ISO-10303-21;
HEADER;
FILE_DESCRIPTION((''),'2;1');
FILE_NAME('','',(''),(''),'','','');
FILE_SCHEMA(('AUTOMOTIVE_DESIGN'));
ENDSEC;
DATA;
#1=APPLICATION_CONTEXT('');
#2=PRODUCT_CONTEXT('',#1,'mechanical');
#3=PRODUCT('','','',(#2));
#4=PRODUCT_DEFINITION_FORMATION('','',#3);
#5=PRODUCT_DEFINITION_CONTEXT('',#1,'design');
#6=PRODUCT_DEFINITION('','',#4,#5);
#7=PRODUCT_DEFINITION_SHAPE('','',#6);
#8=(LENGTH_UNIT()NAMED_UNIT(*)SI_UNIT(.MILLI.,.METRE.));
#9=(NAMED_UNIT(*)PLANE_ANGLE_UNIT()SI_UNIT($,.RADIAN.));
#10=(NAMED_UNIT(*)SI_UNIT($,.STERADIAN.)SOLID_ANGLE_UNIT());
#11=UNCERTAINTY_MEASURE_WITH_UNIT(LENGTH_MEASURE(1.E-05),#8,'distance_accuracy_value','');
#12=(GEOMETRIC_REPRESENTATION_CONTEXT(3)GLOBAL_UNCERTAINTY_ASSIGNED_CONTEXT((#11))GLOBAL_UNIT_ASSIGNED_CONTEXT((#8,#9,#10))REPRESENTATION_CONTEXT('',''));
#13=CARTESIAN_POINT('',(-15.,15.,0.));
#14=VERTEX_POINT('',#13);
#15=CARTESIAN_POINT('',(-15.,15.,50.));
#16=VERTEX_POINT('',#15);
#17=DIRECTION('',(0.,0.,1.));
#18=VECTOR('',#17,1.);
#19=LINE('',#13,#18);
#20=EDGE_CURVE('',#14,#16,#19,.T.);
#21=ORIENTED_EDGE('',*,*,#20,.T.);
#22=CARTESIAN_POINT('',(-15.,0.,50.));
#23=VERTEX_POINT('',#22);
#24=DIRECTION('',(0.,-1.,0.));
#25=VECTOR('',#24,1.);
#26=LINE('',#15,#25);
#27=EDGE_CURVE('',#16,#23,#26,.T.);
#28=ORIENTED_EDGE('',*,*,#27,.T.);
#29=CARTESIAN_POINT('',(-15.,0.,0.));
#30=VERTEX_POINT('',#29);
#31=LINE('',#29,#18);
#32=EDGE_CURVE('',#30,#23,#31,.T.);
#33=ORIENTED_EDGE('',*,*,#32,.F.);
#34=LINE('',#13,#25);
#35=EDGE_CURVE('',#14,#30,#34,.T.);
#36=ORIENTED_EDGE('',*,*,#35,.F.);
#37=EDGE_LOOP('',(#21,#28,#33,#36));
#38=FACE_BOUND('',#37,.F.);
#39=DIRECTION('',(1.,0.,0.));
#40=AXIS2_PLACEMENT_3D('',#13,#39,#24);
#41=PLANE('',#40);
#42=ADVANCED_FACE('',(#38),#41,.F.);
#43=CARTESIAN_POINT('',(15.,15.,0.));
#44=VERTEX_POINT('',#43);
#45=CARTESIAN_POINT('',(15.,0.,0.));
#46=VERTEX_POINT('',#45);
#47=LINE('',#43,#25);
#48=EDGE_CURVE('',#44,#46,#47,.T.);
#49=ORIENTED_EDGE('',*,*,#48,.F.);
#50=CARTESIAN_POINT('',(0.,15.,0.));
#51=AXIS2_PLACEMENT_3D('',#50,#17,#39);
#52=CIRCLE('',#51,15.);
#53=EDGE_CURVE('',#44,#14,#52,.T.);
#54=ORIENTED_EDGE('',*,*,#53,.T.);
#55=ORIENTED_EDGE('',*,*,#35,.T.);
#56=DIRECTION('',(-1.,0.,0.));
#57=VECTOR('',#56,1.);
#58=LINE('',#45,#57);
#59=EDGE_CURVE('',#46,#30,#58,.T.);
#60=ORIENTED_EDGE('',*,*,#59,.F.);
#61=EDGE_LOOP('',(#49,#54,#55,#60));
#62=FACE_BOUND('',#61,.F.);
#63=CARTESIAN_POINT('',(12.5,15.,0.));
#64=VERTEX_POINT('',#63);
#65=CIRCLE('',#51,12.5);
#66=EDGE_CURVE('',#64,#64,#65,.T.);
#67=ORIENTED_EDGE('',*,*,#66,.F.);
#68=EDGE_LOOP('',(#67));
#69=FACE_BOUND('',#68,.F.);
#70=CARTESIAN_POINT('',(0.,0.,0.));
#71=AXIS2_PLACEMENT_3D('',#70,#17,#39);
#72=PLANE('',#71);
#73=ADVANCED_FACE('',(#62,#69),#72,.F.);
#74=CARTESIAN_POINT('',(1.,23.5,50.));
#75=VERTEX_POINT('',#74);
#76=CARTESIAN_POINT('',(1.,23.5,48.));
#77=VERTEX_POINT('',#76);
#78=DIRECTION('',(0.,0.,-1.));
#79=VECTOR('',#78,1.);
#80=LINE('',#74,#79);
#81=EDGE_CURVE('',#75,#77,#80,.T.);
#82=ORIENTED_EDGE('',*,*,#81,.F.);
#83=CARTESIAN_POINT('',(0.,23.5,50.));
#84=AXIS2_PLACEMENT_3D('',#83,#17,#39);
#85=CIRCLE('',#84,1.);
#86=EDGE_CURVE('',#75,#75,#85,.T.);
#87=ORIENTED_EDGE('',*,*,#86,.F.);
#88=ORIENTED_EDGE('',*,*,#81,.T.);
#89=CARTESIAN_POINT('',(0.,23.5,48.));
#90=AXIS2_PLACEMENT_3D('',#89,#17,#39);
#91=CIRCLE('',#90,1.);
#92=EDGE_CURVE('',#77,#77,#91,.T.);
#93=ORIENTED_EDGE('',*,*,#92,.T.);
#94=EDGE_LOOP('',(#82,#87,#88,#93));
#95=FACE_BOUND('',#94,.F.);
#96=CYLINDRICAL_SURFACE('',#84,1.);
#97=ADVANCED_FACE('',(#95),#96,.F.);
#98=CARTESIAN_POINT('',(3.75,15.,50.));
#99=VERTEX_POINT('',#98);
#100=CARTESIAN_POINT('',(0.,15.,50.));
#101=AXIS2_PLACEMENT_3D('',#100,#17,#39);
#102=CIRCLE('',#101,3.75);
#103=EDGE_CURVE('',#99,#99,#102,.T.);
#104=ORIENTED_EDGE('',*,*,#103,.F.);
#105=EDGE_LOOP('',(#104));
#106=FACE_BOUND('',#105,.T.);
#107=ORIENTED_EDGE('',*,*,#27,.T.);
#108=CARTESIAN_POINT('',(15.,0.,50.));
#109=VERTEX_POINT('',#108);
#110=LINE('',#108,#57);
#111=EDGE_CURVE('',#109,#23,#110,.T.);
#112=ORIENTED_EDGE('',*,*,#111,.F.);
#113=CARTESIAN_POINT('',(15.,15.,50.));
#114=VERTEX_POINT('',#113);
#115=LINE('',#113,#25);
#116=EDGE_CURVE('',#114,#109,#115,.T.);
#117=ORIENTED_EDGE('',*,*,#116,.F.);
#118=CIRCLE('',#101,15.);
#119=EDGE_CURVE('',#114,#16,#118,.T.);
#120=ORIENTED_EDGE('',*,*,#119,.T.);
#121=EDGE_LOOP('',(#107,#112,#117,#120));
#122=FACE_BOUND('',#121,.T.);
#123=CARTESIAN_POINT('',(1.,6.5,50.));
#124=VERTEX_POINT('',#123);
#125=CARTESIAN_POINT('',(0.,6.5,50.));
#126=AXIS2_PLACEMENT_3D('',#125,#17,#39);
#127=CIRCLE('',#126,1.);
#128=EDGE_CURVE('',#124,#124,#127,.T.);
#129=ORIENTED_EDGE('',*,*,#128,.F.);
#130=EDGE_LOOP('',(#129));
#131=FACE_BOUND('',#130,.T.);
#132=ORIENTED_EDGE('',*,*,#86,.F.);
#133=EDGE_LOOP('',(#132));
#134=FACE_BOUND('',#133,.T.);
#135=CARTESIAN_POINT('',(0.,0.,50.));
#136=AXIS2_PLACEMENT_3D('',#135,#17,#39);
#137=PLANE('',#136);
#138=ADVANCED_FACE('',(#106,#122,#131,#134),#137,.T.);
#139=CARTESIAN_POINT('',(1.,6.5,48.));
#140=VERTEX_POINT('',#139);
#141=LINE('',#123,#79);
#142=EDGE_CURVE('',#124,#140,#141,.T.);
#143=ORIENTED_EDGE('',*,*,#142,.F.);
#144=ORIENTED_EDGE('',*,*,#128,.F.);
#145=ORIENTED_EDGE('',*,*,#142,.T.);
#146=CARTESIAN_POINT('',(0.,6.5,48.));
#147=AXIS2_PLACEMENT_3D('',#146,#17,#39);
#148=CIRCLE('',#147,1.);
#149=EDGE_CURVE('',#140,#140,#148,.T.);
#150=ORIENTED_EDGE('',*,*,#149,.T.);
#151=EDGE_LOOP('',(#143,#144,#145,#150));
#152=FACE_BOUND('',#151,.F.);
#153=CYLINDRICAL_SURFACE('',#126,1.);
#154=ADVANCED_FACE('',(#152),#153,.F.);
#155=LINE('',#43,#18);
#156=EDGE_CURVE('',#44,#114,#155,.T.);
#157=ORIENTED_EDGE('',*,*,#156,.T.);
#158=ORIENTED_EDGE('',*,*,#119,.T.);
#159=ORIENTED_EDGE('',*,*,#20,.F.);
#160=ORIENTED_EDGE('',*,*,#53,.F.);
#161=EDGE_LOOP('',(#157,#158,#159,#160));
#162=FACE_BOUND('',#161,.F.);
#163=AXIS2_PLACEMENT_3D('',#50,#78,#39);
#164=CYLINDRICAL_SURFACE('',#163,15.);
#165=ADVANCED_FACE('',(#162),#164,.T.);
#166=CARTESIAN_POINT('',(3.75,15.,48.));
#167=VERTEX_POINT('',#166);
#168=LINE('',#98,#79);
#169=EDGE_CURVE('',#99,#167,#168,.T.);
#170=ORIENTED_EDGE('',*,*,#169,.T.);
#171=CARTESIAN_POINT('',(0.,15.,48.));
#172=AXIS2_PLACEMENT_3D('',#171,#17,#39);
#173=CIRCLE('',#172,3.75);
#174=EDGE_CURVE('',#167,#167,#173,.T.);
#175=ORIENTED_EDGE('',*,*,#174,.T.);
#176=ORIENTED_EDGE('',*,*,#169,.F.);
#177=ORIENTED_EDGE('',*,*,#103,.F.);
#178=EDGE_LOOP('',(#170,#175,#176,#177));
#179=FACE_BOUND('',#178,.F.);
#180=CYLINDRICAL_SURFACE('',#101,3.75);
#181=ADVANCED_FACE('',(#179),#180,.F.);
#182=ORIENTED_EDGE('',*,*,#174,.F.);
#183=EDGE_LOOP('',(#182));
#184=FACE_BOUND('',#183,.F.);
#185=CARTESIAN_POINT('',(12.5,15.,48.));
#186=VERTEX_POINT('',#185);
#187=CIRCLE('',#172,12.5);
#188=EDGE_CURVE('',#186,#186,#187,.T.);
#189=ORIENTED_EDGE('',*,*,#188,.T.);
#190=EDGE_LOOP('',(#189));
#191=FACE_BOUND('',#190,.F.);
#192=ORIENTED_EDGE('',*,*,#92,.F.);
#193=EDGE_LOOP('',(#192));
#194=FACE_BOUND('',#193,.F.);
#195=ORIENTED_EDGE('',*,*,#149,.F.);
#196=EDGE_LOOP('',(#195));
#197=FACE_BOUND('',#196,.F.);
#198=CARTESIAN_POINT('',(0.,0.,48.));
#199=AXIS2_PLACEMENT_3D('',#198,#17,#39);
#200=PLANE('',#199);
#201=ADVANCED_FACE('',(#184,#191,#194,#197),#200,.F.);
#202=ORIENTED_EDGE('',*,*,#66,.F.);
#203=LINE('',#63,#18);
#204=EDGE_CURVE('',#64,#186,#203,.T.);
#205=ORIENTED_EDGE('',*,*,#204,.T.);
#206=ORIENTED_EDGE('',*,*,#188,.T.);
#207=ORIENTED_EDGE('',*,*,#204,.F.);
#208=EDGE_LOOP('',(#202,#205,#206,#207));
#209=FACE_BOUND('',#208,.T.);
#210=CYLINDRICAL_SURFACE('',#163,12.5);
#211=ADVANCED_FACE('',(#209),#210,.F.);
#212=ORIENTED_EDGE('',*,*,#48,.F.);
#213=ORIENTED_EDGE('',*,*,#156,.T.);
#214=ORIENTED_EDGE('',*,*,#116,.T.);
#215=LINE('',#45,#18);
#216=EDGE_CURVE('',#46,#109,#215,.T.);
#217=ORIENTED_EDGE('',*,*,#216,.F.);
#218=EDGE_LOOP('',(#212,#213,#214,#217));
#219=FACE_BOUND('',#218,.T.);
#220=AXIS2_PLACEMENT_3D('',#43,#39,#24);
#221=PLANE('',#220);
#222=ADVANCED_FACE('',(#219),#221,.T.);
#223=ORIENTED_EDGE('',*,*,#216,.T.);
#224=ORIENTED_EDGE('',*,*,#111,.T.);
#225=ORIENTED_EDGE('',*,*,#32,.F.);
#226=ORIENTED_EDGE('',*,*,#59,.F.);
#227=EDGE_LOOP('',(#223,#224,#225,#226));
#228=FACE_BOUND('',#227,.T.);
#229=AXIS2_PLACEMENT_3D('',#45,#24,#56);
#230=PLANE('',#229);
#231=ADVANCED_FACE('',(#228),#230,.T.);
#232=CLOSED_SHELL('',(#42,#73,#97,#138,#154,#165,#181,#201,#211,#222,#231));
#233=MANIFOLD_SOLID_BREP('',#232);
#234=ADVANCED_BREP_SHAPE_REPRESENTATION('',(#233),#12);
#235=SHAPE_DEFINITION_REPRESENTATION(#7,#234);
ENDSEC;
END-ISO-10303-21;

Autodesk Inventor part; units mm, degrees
ref_plane "YZ Plane" through (0, 0, 0) normal (1, 0, 0) x (0, 1, 0)
ref_plane "XZ Plane" through (0, 0, 0) normal (0, 1, 0) x (-1, 0, 0)
ref_plane "XY Plane" through (0, 0, 0) normal (0, 0, 1) x (1, 0, 0)
sketch "Sketch1" plane through (0, 0, 0) normal (0, 0, 1) x (1, 0, 0)
  circle A0 centre (0, 15) radius 12.5
  arc A1 (15, 15) -> (-15, 15) centre (0, 15) ccw
  line L0 (-15, 15) -> (-15, 0)
  line L1 (15, 15) -> (15, 0)
  line L2 (15, 0) -> (-15, 0)
  point P0 (0, 0)
  dimension "d0" = 25
  dimension "d1" = 30
  dimension "d2" = 15
extrude "Extrusion1" add sketch "Sketch1" along normal blind 50
sketch "Sketch2" plane through (0, 0, 50) normal (0, 0, 1) x (1, 0, 0)
  circle A0 centre (0, 15) radius 12.5 construction
  line L0 (0, 27.5) -> (0, 2.5) construction
  circle A1 centre (0, 15) radius 12.5
  point P0 (0, 0)
extrude "Extrusion2" add sketch "Sketch2" against normal blind 2
sketch "Sketch3" plane through (0, 0, 50) normal (0, 0, 1) x (1, 0, 0)
  circle A0 centre (0, 15) radius 12.5 construction
  line L0 (0, 2.5) -> (0, 27.5) construction
  circle A1 centre (0, 23.5) radius 1
  circle A2 centre (0, 6.5) radius 1
  circle A3 centre (0, 15) radius 3.75
  point P0 (0, 0)
  dimension "d7" = 2
  dimension "d8" = 2
  dimension "d9" = 8.5
  dimension "d10" = 17
  dimension "d11" = 7.5
extrude "Extrusion3" cut sketch "Sketch3" against normal blind 2.5
thread "Thread1" size "M2x0.4" class "6H" standard "ANSI Metric M Profile" full length
thread "Thread2" size "M2x0.4" class "6H" standard "ANSI Metric M Profile" full length
properties part number "bancada"
